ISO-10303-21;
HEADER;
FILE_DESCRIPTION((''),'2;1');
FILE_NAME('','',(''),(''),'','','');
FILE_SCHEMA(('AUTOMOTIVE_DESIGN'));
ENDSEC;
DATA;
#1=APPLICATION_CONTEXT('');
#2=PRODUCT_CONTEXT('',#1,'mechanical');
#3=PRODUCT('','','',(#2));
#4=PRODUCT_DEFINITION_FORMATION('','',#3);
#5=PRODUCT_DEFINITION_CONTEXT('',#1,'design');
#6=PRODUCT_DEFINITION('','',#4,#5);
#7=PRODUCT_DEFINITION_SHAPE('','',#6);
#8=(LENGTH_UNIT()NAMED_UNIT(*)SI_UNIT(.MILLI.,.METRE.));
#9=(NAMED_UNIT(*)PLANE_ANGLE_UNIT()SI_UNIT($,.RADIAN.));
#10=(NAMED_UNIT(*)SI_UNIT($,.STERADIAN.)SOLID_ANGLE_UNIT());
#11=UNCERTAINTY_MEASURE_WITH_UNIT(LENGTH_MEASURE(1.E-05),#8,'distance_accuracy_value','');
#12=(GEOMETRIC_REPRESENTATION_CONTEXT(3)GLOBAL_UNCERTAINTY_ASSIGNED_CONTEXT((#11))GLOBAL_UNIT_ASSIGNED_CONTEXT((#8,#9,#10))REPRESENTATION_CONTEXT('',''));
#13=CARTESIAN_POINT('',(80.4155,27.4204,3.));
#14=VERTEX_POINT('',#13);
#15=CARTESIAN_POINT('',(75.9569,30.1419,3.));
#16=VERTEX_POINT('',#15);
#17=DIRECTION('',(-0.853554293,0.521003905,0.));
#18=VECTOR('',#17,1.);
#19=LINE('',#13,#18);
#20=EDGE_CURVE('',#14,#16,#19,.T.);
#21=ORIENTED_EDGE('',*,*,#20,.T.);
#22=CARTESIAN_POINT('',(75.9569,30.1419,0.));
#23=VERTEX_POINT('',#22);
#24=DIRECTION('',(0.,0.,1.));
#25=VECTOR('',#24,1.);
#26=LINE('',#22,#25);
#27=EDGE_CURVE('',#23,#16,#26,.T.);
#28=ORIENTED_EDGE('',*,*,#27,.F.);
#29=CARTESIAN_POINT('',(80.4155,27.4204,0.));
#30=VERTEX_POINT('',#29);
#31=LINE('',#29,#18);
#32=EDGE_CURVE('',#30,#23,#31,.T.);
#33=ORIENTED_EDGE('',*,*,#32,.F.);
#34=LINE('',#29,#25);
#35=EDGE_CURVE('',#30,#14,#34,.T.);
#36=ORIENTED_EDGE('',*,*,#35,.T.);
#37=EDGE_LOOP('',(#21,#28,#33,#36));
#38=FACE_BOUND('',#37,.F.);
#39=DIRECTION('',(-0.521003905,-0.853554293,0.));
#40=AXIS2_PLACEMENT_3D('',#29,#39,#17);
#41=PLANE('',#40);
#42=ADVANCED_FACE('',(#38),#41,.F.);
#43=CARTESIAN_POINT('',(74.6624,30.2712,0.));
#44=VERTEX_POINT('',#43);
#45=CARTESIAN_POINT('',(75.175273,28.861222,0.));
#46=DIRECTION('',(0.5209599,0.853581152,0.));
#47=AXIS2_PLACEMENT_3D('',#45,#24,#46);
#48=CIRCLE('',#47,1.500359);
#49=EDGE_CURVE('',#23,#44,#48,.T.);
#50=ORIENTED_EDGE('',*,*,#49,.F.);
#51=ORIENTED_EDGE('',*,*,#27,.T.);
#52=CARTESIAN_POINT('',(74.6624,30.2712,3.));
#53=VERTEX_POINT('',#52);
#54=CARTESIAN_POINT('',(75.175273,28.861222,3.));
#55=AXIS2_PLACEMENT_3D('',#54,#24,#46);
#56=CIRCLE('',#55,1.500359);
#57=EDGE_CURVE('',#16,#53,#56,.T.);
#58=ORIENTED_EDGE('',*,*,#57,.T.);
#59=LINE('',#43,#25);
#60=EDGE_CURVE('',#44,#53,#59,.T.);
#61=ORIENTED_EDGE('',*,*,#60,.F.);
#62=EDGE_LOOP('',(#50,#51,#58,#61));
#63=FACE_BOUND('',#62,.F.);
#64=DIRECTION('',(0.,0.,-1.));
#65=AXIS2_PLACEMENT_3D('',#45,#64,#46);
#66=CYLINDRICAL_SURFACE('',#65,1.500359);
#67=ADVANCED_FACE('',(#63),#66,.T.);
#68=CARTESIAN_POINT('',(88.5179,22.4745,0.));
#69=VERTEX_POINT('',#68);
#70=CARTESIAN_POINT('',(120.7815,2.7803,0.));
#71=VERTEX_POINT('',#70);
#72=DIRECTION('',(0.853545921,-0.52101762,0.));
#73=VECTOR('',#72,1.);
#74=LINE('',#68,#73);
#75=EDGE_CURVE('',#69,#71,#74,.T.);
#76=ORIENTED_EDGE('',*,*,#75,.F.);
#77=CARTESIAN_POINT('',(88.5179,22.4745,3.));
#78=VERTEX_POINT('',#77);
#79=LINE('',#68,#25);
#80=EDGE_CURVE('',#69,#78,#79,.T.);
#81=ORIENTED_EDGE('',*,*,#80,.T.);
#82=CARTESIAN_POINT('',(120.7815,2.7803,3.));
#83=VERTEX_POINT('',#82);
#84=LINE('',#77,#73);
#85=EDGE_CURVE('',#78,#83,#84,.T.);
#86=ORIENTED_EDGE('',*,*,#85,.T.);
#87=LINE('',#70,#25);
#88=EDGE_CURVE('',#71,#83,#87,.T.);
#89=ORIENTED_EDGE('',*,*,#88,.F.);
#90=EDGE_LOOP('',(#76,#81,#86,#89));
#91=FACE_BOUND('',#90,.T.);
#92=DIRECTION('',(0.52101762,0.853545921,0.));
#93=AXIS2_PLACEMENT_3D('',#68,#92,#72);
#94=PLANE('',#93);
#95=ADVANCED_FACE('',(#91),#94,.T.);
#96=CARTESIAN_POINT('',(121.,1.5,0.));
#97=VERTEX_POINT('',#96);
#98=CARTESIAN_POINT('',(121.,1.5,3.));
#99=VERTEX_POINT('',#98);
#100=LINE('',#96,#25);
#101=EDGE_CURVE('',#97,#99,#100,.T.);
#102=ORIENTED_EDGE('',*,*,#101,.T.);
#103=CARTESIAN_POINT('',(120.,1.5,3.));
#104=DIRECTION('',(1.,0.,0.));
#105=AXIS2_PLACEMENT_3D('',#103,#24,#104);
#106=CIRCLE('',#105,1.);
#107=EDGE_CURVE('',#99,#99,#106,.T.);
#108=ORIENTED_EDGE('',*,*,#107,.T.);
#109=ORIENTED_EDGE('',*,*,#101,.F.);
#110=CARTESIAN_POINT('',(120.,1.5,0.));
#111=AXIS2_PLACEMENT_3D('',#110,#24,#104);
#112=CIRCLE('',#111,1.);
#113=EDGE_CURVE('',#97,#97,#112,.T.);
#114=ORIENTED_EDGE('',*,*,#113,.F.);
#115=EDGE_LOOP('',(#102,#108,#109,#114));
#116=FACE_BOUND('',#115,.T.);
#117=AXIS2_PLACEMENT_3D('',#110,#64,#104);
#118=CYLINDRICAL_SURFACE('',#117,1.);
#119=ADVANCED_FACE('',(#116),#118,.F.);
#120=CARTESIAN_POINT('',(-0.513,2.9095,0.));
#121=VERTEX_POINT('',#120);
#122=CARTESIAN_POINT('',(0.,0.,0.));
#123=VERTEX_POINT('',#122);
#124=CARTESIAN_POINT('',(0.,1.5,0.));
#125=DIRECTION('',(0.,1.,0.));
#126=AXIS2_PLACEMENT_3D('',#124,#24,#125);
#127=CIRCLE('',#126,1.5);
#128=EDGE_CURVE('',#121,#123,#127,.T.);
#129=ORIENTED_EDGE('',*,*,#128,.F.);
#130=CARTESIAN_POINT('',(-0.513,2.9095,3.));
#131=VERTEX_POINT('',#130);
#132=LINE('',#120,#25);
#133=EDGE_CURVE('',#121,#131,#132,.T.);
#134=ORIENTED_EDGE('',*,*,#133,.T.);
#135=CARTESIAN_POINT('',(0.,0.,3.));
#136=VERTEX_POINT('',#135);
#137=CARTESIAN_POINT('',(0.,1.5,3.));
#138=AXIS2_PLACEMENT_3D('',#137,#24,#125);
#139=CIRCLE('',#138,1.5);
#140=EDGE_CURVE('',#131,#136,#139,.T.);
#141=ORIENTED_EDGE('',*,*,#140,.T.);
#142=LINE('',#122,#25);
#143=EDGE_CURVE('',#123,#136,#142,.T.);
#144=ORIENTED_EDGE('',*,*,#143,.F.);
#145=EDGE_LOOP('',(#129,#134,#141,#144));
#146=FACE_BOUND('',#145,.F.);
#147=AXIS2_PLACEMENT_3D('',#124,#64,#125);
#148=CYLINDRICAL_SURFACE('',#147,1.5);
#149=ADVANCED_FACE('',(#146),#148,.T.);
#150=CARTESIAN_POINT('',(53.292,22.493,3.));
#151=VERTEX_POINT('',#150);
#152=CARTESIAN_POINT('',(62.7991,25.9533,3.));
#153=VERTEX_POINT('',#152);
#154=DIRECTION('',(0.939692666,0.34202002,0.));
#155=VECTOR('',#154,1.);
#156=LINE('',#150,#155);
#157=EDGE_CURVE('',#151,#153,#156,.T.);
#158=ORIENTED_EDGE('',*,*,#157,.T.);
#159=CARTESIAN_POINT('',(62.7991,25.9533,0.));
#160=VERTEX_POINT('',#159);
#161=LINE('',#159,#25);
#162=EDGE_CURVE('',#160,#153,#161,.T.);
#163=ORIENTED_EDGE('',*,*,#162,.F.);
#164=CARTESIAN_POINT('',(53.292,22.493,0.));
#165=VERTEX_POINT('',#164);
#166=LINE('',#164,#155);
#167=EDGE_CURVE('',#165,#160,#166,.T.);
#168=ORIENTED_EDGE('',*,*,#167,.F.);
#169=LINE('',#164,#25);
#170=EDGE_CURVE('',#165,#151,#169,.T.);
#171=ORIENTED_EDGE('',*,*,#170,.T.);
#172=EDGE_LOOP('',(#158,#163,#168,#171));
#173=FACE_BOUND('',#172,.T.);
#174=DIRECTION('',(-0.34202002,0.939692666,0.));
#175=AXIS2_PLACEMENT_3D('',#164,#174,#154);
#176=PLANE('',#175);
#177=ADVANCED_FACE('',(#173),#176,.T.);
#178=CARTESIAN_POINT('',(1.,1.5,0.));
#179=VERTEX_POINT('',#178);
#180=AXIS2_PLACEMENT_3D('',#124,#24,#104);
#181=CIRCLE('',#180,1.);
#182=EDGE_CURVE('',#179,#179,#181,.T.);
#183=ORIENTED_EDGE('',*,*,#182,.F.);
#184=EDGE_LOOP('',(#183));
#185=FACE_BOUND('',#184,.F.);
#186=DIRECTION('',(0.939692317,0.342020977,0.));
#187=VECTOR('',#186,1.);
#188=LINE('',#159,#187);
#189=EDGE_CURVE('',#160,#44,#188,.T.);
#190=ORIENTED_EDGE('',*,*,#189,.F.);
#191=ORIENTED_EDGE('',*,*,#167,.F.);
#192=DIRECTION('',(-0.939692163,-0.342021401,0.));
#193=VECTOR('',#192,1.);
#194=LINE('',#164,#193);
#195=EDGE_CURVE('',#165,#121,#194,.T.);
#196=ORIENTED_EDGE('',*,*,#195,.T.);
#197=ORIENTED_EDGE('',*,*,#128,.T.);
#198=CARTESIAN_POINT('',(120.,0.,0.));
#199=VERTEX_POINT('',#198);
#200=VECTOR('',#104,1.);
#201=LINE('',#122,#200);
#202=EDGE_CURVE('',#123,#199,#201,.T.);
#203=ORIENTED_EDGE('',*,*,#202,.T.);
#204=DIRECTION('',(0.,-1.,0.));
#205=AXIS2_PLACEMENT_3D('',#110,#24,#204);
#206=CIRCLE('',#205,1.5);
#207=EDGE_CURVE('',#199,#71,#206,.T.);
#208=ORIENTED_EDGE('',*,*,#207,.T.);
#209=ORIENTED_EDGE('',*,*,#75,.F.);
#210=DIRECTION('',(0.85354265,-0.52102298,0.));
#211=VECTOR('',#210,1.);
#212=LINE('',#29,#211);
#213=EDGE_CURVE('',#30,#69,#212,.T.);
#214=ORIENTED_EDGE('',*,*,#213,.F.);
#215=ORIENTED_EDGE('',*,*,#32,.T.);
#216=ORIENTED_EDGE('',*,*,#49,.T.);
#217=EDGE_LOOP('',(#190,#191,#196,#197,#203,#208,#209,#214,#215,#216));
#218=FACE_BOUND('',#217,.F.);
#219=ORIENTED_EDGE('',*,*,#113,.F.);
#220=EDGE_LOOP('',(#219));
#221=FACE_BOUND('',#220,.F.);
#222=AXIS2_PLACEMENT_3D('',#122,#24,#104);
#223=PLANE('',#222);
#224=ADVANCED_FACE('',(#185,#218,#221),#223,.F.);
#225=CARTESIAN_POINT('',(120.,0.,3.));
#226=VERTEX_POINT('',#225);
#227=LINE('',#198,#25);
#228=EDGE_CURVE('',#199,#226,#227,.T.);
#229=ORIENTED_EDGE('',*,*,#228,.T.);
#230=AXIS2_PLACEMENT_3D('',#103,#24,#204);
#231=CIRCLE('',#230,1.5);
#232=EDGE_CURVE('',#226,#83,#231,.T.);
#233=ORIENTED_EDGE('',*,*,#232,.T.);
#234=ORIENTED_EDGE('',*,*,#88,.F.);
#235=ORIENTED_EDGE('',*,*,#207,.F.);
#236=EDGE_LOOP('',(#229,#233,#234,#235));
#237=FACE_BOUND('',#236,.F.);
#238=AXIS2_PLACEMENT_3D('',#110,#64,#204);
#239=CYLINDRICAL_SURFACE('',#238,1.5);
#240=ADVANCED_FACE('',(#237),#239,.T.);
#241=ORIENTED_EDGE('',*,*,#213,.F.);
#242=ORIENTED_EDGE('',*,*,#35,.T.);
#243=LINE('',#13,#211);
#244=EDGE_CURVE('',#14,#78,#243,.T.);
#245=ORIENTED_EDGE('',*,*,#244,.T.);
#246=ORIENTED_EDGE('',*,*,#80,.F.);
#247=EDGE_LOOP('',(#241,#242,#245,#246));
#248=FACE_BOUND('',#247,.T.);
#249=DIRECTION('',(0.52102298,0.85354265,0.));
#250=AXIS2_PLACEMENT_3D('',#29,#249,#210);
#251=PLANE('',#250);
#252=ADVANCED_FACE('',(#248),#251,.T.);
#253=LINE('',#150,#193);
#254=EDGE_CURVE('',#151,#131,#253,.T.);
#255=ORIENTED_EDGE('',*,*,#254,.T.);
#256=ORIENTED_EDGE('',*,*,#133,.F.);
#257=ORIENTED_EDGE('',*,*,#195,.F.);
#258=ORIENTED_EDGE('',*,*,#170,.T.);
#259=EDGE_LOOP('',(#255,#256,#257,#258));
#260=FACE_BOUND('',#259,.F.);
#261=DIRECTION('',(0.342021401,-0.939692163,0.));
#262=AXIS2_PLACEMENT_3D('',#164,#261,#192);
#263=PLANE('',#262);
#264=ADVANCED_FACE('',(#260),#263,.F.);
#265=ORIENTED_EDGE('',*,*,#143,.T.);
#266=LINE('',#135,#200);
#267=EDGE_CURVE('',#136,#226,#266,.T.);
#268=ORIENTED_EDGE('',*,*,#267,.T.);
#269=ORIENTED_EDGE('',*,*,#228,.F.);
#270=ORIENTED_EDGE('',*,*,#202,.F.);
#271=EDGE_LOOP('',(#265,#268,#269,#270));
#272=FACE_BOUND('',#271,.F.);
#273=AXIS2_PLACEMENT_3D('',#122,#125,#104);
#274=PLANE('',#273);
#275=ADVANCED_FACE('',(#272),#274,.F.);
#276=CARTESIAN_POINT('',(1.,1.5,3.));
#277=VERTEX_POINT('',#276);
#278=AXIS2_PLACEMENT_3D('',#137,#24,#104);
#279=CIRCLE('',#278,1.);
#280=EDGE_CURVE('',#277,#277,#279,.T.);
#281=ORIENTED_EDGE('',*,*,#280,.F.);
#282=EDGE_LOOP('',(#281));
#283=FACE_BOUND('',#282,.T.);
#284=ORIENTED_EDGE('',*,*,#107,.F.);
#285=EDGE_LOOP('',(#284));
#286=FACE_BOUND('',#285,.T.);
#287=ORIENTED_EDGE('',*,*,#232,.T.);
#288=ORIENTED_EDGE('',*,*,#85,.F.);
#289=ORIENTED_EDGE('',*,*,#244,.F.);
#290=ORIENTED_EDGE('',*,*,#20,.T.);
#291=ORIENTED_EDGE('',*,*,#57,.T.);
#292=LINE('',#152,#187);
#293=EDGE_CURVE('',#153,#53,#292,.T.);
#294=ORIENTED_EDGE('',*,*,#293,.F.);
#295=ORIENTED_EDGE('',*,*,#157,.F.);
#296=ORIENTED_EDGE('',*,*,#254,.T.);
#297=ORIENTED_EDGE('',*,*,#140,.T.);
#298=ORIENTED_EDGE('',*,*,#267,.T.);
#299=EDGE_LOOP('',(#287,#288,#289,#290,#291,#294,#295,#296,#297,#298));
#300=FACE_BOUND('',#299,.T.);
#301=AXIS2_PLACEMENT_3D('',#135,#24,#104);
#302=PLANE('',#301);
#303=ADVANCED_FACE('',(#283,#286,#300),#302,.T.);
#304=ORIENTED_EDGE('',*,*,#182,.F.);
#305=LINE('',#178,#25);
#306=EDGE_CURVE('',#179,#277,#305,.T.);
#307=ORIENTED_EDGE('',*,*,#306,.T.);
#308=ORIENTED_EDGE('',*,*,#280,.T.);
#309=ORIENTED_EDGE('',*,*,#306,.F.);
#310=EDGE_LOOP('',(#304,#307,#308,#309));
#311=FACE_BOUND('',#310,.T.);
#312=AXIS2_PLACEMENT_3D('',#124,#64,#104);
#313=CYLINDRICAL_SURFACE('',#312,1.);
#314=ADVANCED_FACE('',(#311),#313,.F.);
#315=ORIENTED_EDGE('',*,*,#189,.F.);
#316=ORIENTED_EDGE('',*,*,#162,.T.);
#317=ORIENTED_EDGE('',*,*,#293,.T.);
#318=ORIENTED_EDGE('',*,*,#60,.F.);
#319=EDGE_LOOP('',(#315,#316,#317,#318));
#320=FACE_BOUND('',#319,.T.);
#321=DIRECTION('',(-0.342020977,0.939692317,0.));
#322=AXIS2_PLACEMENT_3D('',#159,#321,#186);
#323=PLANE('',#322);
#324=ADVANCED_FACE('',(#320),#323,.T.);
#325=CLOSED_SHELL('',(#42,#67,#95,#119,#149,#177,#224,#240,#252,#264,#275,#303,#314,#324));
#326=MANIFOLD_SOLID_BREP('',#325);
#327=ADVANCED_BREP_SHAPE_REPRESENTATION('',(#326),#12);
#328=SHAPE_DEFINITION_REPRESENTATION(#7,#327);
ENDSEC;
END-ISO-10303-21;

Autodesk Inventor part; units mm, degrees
ref_plane "YZ Plane" through (0, 0, 0) normal (1, 0, 0) x (0, 1, 0)
ref_plane "XZ Plane" through (0, 0, 0) normal (0, 1, 0) x (-1, 0, 0)
ref_plane "XY Plane" through (0, 0, 0) normal (0, 0, 1) x (1, 0, 0)
sketch "Sketch1" plane through (0, 0, 0) normal (0, 0, 1) x (1, 0, 0)
  line L0 (0, 0) -> (120, 0)
  arc A0 (0, 3) -> (0, 0) centre (0, 1.5) ccw
  arc A1 (120, 0) -> (120, 3) centre (120, 1.5) ccw
  circle A2 centre (0, 1.5) radius 1
  circle A3 centre (120, 1.5) radius 1
  arc A4 (75.9569, 30.1419) -> (74.6624, 30.2712) centre (75.1754, 28.8616) ccw
  line L1 (53.292, 22.493) -> (62.7991, 25.9533)
  line L2 (62.7991, 25.9533) -> (74.6624, 30.2712)
  line L3 (53.292, 22.493) -> (-0.513, 2.9095)
  line L4 (80.4155, 27.4204) -> (88.5179, 22.4745)
  line L5 (80.4155, 27.4204) -> (75.9569, 30.1419)
  line L6 (88.5179, 22.4745) -> (120.7815, 2.7803)
  dimension "d0" = 2
  dimension "d1" = 2
  dimension "d2" = 120
  dimension "d8" = 3
extrude "Extrusion1" add sketch "Sketch1" along normal blind 3
properties part number "L3"
